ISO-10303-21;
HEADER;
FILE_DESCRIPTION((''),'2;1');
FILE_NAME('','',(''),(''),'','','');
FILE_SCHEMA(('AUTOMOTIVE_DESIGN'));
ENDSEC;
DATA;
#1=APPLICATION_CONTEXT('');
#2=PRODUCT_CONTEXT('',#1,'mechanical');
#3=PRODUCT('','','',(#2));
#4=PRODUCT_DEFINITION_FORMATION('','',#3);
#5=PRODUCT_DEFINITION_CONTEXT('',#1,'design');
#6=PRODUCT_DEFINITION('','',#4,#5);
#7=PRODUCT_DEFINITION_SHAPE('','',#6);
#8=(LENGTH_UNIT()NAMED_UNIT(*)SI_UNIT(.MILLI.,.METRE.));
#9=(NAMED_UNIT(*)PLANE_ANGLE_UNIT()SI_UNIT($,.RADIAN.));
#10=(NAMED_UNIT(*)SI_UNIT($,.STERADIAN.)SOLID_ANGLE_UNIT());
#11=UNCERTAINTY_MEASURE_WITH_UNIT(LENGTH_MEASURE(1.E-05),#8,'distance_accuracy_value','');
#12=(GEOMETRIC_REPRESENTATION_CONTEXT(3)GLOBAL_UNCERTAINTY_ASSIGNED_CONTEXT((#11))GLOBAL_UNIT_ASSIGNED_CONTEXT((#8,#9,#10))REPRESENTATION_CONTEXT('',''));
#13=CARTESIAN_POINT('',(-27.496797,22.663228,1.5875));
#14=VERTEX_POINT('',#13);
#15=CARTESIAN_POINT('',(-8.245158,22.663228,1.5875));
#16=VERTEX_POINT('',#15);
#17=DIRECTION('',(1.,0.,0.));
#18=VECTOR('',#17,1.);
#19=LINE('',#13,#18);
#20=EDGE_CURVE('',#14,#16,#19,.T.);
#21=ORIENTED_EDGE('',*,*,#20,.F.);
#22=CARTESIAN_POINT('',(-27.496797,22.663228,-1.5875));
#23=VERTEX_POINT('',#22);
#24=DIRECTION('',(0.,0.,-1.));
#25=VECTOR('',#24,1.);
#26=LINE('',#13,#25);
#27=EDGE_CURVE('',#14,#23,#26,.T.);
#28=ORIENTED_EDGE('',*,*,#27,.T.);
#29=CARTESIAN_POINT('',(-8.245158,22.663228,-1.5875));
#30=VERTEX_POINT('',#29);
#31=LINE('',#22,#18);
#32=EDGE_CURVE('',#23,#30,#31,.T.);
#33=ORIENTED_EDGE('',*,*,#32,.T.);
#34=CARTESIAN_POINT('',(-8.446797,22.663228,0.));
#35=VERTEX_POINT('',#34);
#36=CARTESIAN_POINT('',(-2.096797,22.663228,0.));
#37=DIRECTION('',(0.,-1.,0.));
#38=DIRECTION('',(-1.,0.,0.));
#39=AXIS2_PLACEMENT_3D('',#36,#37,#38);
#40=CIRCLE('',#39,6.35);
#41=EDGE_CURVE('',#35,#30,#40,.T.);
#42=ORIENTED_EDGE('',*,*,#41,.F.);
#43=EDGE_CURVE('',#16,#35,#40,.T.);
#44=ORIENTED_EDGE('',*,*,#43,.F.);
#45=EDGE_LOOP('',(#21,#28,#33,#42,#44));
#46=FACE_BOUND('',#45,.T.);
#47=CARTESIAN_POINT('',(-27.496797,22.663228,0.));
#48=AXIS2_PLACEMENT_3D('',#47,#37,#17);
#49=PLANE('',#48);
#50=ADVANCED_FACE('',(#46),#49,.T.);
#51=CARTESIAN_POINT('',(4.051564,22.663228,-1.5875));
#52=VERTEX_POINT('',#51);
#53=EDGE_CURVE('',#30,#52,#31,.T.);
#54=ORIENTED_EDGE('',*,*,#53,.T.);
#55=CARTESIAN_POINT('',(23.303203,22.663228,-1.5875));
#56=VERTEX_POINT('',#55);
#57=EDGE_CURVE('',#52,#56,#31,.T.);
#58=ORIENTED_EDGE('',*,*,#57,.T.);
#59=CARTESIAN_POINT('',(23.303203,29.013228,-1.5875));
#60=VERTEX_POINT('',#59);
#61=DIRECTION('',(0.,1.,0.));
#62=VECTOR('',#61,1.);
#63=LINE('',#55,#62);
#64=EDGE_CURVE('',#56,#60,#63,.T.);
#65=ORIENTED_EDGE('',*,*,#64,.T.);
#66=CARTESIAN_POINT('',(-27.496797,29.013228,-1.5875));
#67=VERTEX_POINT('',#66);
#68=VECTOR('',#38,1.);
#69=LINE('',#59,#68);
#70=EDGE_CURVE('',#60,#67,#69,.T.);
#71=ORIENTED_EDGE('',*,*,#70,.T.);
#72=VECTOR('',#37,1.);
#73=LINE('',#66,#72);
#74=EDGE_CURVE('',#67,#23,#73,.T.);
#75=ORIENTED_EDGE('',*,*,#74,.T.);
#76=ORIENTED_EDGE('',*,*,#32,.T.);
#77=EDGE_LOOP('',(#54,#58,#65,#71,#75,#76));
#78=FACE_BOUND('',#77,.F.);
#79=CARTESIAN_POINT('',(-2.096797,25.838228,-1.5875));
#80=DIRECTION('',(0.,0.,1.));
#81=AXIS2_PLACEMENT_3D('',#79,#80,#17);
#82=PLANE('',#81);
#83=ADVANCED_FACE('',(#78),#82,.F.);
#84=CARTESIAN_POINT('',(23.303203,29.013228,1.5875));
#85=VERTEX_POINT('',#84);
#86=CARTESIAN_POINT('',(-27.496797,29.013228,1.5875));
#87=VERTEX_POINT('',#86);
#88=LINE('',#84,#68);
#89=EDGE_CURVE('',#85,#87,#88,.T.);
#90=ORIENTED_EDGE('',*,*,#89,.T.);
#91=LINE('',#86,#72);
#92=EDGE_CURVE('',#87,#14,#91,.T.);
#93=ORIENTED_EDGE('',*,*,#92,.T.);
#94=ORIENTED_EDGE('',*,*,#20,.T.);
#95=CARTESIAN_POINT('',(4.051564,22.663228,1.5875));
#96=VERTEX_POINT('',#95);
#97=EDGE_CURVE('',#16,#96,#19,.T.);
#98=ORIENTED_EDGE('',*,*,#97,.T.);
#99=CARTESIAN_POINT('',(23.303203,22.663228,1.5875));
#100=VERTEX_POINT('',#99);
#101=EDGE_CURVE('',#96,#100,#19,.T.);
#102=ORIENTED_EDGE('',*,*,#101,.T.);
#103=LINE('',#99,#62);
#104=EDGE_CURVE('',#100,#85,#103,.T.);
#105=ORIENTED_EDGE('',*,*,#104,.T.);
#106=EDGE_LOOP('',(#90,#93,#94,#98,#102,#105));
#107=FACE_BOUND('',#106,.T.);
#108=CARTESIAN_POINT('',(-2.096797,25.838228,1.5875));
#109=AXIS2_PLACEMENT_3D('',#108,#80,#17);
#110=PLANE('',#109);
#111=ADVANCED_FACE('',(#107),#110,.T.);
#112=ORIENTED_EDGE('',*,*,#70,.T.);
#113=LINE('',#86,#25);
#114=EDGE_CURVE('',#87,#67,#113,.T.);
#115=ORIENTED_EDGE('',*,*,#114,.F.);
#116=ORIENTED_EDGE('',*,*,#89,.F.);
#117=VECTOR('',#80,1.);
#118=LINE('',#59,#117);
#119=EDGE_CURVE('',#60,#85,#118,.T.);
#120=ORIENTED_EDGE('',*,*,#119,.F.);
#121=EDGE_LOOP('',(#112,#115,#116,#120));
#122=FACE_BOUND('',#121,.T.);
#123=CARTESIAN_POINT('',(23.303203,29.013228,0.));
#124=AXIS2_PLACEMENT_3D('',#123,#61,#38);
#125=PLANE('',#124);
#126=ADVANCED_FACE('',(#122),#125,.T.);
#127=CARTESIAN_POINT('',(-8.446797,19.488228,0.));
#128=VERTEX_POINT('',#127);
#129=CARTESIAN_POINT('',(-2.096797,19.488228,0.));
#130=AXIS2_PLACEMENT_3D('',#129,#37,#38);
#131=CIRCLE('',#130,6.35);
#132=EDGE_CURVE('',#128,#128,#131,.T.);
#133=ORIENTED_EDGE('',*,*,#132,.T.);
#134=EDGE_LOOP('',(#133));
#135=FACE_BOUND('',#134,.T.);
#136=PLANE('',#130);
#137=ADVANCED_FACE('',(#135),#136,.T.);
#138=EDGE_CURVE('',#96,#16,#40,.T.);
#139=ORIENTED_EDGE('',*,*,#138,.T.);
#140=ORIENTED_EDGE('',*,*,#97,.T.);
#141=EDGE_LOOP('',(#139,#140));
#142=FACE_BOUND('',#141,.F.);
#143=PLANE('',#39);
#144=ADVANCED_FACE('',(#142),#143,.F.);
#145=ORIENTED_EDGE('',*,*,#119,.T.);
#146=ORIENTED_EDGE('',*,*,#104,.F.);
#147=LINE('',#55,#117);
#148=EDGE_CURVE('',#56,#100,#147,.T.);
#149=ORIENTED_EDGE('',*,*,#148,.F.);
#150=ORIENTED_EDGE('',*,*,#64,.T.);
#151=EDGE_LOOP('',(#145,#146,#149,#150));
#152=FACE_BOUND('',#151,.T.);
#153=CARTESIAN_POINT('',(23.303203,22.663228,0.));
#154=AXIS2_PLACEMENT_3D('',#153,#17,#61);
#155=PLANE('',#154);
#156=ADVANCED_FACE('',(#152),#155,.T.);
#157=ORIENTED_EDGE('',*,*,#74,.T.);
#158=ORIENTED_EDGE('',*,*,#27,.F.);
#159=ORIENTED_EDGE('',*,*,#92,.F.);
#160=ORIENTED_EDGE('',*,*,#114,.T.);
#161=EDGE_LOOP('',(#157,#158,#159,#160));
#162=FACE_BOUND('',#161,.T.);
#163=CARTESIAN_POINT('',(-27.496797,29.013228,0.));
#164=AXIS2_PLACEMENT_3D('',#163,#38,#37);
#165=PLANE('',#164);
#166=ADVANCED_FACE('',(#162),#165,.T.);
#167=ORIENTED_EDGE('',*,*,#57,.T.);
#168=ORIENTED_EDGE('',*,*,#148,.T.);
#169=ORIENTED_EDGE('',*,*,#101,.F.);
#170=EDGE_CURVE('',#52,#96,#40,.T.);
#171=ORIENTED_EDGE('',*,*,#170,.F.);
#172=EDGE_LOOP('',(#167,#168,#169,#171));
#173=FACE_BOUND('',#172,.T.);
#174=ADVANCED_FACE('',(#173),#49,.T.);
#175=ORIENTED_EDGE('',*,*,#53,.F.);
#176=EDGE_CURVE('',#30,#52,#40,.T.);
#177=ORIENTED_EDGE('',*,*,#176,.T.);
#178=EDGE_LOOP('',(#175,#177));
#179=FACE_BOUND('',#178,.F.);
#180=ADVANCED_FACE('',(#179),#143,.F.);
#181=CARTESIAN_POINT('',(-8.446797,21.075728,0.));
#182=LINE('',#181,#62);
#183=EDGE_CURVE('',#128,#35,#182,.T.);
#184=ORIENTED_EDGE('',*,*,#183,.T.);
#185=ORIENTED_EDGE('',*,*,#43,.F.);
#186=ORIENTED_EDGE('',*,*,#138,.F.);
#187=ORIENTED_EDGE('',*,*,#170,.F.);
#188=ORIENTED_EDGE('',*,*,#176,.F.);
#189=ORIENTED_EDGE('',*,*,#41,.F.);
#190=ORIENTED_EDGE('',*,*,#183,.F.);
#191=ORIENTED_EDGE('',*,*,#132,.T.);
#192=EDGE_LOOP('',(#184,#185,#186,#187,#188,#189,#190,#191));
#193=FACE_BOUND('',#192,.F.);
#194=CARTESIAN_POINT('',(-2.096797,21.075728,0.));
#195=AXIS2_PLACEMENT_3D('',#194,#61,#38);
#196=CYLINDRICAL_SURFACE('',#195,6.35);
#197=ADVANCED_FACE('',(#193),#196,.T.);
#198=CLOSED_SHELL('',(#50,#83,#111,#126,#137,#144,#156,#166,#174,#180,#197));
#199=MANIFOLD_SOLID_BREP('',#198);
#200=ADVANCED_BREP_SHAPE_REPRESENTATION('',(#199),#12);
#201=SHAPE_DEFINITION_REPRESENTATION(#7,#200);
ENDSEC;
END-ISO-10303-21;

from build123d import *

# Parameters (mm, degrees)
F0_W     = 6.35
F0_H     = 3.175
F2_DEPTH = 1.5875


with BuildPart() as f1:
    # F0 (on Top) → F1 (revolve)
    with BuildSketch(Plane.XY):
        with Locations((-5.271797, 21.075728)):
            Rectangle(F0_W, F0_H)
    revolve(axis=Axis((-2.096797, 21.075728, 0), (0, -1, 0)))

    # F0 (on Top) → F2 (join, symmetric)
    with BuildSketch(Plane.XY):
        Polygon((-27.496797, 22.663228), (-8.446797, 22.663228), (-2.096797, 22.663228), (4.253203, 22.663228), (23.303203, 22.663228), (23.303203, 29.013228), (4.253203, 29.013228), (-2.096797, 29.013228), (-8.446797, 29.013228), (-11.621797, 29.013228), (-24.321797, 29.013228), (-27.496797, 29.013228), align=None)
    extrude(amount=F2_DEPTH, both=True)


solid = f1.part
